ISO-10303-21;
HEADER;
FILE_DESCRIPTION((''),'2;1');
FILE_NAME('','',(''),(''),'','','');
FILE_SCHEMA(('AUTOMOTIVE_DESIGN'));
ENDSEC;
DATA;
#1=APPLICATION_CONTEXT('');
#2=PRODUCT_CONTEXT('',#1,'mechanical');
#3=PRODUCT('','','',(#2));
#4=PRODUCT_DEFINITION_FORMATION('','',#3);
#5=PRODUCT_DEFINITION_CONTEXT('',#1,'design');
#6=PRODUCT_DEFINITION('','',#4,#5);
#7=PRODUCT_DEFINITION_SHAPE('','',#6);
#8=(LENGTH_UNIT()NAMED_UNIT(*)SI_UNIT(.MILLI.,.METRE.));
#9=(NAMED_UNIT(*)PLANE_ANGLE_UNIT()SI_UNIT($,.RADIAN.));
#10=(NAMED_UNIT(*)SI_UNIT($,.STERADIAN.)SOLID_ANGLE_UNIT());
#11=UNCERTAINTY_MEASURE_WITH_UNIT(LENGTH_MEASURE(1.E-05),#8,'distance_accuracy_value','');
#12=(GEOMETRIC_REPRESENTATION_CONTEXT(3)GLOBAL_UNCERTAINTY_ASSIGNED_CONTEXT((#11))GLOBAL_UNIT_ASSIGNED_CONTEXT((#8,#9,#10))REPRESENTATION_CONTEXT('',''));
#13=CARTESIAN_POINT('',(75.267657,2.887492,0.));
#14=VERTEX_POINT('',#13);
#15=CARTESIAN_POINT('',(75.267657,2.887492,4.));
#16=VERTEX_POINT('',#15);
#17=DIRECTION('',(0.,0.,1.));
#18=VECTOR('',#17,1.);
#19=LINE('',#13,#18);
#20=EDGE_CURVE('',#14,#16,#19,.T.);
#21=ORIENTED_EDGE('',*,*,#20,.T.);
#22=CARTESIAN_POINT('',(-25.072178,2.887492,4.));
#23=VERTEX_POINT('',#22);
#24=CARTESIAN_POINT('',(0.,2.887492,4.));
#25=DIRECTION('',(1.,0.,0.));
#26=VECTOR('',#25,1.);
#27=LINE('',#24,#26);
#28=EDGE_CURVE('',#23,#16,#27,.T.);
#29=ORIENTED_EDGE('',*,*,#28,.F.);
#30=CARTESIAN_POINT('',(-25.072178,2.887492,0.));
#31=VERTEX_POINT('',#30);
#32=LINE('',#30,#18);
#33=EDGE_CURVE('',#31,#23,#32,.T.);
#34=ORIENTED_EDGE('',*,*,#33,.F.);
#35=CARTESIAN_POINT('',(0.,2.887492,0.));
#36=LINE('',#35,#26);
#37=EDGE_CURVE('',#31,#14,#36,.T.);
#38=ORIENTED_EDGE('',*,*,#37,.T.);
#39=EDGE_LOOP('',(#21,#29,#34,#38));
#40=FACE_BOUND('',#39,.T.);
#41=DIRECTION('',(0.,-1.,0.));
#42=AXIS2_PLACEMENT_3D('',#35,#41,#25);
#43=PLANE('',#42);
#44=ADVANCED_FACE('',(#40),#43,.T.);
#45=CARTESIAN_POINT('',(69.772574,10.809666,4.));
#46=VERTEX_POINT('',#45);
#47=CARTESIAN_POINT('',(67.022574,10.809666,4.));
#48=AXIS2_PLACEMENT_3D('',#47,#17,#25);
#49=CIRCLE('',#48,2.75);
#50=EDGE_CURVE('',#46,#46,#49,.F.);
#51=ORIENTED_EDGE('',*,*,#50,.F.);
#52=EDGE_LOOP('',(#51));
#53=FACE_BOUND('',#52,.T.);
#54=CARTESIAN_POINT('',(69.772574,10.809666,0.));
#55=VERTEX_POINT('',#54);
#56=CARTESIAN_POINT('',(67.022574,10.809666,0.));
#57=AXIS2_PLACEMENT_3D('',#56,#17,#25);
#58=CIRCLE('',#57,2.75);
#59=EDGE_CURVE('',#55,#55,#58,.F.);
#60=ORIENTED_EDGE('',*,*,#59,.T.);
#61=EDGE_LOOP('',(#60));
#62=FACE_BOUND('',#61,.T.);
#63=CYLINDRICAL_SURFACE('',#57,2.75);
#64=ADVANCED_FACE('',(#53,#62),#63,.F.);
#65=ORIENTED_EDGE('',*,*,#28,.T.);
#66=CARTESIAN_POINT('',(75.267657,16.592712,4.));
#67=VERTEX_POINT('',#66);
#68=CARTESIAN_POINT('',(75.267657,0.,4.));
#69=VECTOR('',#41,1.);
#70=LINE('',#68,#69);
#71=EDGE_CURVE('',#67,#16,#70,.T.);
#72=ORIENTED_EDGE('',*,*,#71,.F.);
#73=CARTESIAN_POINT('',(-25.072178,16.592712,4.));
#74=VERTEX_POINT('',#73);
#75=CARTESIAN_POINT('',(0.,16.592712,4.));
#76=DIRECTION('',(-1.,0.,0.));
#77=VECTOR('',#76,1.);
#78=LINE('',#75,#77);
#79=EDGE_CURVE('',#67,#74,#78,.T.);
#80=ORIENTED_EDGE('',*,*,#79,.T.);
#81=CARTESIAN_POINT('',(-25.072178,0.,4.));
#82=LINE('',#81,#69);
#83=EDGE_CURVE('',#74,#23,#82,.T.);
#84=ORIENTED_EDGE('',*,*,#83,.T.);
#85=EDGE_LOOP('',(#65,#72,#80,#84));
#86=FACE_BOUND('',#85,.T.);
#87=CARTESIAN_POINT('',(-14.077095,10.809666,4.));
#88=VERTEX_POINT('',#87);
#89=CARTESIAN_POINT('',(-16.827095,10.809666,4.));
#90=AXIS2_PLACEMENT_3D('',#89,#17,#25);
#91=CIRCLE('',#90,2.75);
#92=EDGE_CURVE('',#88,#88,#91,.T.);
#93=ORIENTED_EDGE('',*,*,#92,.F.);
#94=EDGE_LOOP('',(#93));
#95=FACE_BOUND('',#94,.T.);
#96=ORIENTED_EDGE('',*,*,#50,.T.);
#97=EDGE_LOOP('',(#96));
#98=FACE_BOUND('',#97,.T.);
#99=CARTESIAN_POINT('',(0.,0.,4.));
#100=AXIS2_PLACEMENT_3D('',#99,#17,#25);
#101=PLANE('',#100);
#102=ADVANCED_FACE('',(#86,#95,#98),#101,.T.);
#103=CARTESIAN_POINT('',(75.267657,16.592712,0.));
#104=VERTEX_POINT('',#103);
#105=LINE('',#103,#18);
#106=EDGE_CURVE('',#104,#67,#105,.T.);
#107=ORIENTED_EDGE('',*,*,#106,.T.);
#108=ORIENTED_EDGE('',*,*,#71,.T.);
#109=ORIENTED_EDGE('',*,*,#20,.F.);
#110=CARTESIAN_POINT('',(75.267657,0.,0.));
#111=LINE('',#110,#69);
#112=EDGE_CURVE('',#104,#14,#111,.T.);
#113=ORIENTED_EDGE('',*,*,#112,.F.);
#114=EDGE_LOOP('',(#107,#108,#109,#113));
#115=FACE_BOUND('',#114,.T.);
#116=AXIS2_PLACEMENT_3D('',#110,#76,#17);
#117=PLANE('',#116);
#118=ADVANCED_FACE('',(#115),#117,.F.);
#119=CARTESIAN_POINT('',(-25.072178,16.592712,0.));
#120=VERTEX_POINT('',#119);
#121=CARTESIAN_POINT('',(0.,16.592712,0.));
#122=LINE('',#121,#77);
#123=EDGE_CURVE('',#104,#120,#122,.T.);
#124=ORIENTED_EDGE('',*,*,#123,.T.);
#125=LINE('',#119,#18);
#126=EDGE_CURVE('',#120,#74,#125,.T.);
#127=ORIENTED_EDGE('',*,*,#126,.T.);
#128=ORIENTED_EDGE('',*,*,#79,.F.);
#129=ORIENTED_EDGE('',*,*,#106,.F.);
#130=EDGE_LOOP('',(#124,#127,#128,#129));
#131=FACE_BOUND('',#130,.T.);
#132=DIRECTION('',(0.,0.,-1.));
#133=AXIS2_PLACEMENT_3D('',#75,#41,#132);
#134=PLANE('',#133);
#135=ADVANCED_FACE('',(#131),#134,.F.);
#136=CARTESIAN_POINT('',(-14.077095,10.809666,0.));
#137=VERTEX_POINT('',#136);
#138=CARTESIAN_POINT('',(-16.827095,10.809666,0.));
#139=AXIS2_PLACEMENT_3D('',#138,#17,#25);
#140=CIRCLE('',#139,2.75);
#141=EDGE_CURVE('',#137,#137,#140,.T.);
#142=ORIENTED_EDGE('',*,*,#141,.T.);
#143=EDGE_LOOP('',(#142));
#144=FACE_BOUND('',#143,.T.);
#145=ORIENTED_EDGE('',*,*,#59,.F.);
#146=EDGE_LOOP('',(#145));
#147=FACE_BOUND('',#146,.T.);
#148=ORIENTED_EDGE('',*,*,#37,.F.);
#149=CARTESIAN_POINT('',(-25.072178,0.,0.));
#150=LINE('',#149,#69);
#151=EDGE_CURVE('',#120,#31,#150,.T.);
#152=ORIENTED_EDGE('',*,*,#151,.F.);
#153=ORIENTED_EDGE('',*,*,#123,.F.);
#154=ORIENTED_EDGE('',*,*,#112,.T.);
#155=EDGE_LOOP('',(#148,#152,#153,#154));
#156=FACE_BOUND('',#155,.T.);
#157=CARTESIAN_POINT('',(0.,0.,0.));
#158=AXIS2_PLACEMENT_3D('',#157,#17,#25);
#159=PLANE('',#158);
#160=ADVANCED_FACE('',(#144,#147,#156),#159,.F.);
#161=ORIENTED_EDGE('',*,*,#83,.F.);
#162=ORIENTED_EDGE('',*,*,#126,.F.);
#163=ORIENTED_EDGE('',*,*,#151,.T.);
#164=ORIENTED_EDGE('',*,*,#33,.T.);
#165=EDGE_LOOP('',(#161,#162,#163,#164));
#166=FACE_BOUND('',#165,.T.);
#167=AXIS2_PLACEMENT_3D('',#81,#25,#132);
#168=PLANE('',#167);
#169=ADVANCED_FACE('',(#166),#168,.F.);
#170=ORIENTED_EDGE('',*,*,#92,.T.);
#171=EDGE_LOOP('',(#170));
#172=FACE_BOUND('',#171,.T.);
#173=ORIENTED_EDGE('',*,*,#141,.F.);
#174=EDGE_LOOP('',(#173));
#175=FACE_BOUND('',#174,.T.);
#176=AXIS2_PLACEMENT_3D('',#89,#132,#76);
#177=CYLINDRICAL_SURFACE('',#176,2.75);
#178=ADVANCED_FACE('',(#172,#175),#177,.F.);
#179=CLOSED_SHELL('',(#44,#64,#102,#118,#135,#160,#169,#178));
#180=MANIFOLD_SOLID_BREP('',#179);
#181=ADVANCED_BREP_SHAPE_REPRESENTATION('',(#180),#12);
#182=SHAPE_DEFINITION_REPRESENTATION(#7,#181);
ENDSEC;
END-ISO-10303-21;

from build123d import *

# Parameters (mm, degrees)
SKETCH1_R           = 2.75
BOSS_EXTRUDE1_DEPTH = 4
CUT_EXTRUDE1_DEPTH  = 10
BOSS_EXTRUDE3_START = -4
SKETCH3_R           = 2.75
BOSS_EXTRUDE3_DEPTH = 4
BOSS_EXTRUDE4_START = -4
SKETCH4_R           = 2.75
BOSS_EXTRUDE4_DEPTH = 4


with BuildPart() as part:
    # Sketch1 → Boss-Extrude1 (new body)
    with BuildSketch(Plane.XY):
        with BuildLine():
            Line((24.072178339, 16.5927117), (-24.072178339, 16.5927117))
            ThreePointArc((-24.072178339, 16.5927117), (-24.779285121, 16.299818481), (-25.072178339, 15.5927117))
            Line((-25.072178339, 15.5927117), (-25.072178339, 8.49545414))
            ThreePointArc((-25.072178339, 8.49545414), (-24.955491664, 8.026671065), (-24.632663198, 7.667289468))
            Line((-24.632663198, 7.667289468), (-1.120969717, -8.244942286))
            ThreePointArc((-1.120969717, -8.244942286), (0, -8.588612943), (1.120969717, -8.244942286))
            Line((1.120969717, -8.244942286), (24.632663198, 7.667289468))
            ThreePointArc((24.632663198, 7.667289468), (24.955491664, 8.026671065), (25.072178339, 8.49545414))
            Line((25.072178339, 8.49545414), (25.072178339, 15.5927117))
            ThreePointArc((25.072178339, 15.5927117), (24.779285121, 16.299818481), (24.072178339, 16.5927117))
        make_face()
        Circle(SKETCH1_R, mode=Mode.SUBTRACT)
        with Locations((-16.827094957, 10.809665828)):
            Circle(SKETCH1_R, mode=Mode.SUBTRACT)
        with Locations((16.827094957, 10.809665828)):
            Circle(SKETCH1_R, mode=Mode.SUBTRACT)
    extrude(amount=BOSS_EXTRUDE1_DEPTH)

    # Sketch2 → Cut-Extrude1 (cut)
    with BuildSketch(Plane.XY.offset(4)):
        Polygon((-24.632663198, 7.667289468), (24.632663198, 7.667289468), (0.25604332, -10.053182783), align=None)
    extrude(amount=-CUT_EXTRUDE1_DEPTH, mode=Mode.SUBTRACT)

    # Sketch3 → Boss-Extrude3 (add)
    # profile 1 of 2: a face of its own
    with BuildSketch(Plane.XY.offset(4).offset(BOSS_EXTRUDE3_START)):
        with BuildLine():
            Line((-24.072178339, 16.5927117), (-25.072178339, 16.5927117))
            Line((-25.072178339, 16.5927117), (-25.072178339, 15.5927117))
            ThreePointArc((-25.072178339, 15.5927117), (-24.779285121, 16.299818481), (-24.072178339, 16.5927117))
        make_face()
    # profile 2 of 2: a face of its own
    with BuildSketch(Plane.XY.offset(4).offset(BOSS_EXTRUDE3_START)):
        with BuildLine():
            ThreePointArc((-24.632663198, 7.667289468), (-24.955491664, 8.026671065), (-25.072178339, 8.49545414))
            Line((-25.072178339, 8.49545414), (-25.072178339, 2.887491698))
            Line((-25.072178339, 2.887491698), (75.267657001, 2.887491698))
            Line((75.267657001, 2.887491698), (75.267657001, 16.5927117))
            Line((75.267657001, 16.5927117), (24.072178339, 16.5927117))
            ThreePointArc((24.072178339, 16.5927117), (24.779285121, 16.299818481), (25.072178339, 15.5927117))
            Line((25.072178339, 15.5927117), (25.072178339, 8.49545414))
            ThreePointArc((25.072178339, 8.49545414), (24.955491664, 8.026671065), (24.632663198, 7.667289468))
            Line((24.632663198, 7.667289468), (-24.632663198, 7.667289468))
        make_face()
        with Locations((67.022573618, 10.809665828)):
            Circle(SKETCH3_R, mode=Mode.SUBTRACT)
    extrude(amount=BOSS_EXTRUDE3_DEPTH)

    # Sketch4 → Boss-Extrude4 (add)
    with BuildSketch(Plane.XY.offset(4).offset(BOSS_EXTRUDE4_START)):
        with Locations((16.827094957, 10.809665828)):
            Circle(SKETCH4_R)
    extrude(amount=BOSS_EXTRUDE4_DEPTH)


solid = part.part
